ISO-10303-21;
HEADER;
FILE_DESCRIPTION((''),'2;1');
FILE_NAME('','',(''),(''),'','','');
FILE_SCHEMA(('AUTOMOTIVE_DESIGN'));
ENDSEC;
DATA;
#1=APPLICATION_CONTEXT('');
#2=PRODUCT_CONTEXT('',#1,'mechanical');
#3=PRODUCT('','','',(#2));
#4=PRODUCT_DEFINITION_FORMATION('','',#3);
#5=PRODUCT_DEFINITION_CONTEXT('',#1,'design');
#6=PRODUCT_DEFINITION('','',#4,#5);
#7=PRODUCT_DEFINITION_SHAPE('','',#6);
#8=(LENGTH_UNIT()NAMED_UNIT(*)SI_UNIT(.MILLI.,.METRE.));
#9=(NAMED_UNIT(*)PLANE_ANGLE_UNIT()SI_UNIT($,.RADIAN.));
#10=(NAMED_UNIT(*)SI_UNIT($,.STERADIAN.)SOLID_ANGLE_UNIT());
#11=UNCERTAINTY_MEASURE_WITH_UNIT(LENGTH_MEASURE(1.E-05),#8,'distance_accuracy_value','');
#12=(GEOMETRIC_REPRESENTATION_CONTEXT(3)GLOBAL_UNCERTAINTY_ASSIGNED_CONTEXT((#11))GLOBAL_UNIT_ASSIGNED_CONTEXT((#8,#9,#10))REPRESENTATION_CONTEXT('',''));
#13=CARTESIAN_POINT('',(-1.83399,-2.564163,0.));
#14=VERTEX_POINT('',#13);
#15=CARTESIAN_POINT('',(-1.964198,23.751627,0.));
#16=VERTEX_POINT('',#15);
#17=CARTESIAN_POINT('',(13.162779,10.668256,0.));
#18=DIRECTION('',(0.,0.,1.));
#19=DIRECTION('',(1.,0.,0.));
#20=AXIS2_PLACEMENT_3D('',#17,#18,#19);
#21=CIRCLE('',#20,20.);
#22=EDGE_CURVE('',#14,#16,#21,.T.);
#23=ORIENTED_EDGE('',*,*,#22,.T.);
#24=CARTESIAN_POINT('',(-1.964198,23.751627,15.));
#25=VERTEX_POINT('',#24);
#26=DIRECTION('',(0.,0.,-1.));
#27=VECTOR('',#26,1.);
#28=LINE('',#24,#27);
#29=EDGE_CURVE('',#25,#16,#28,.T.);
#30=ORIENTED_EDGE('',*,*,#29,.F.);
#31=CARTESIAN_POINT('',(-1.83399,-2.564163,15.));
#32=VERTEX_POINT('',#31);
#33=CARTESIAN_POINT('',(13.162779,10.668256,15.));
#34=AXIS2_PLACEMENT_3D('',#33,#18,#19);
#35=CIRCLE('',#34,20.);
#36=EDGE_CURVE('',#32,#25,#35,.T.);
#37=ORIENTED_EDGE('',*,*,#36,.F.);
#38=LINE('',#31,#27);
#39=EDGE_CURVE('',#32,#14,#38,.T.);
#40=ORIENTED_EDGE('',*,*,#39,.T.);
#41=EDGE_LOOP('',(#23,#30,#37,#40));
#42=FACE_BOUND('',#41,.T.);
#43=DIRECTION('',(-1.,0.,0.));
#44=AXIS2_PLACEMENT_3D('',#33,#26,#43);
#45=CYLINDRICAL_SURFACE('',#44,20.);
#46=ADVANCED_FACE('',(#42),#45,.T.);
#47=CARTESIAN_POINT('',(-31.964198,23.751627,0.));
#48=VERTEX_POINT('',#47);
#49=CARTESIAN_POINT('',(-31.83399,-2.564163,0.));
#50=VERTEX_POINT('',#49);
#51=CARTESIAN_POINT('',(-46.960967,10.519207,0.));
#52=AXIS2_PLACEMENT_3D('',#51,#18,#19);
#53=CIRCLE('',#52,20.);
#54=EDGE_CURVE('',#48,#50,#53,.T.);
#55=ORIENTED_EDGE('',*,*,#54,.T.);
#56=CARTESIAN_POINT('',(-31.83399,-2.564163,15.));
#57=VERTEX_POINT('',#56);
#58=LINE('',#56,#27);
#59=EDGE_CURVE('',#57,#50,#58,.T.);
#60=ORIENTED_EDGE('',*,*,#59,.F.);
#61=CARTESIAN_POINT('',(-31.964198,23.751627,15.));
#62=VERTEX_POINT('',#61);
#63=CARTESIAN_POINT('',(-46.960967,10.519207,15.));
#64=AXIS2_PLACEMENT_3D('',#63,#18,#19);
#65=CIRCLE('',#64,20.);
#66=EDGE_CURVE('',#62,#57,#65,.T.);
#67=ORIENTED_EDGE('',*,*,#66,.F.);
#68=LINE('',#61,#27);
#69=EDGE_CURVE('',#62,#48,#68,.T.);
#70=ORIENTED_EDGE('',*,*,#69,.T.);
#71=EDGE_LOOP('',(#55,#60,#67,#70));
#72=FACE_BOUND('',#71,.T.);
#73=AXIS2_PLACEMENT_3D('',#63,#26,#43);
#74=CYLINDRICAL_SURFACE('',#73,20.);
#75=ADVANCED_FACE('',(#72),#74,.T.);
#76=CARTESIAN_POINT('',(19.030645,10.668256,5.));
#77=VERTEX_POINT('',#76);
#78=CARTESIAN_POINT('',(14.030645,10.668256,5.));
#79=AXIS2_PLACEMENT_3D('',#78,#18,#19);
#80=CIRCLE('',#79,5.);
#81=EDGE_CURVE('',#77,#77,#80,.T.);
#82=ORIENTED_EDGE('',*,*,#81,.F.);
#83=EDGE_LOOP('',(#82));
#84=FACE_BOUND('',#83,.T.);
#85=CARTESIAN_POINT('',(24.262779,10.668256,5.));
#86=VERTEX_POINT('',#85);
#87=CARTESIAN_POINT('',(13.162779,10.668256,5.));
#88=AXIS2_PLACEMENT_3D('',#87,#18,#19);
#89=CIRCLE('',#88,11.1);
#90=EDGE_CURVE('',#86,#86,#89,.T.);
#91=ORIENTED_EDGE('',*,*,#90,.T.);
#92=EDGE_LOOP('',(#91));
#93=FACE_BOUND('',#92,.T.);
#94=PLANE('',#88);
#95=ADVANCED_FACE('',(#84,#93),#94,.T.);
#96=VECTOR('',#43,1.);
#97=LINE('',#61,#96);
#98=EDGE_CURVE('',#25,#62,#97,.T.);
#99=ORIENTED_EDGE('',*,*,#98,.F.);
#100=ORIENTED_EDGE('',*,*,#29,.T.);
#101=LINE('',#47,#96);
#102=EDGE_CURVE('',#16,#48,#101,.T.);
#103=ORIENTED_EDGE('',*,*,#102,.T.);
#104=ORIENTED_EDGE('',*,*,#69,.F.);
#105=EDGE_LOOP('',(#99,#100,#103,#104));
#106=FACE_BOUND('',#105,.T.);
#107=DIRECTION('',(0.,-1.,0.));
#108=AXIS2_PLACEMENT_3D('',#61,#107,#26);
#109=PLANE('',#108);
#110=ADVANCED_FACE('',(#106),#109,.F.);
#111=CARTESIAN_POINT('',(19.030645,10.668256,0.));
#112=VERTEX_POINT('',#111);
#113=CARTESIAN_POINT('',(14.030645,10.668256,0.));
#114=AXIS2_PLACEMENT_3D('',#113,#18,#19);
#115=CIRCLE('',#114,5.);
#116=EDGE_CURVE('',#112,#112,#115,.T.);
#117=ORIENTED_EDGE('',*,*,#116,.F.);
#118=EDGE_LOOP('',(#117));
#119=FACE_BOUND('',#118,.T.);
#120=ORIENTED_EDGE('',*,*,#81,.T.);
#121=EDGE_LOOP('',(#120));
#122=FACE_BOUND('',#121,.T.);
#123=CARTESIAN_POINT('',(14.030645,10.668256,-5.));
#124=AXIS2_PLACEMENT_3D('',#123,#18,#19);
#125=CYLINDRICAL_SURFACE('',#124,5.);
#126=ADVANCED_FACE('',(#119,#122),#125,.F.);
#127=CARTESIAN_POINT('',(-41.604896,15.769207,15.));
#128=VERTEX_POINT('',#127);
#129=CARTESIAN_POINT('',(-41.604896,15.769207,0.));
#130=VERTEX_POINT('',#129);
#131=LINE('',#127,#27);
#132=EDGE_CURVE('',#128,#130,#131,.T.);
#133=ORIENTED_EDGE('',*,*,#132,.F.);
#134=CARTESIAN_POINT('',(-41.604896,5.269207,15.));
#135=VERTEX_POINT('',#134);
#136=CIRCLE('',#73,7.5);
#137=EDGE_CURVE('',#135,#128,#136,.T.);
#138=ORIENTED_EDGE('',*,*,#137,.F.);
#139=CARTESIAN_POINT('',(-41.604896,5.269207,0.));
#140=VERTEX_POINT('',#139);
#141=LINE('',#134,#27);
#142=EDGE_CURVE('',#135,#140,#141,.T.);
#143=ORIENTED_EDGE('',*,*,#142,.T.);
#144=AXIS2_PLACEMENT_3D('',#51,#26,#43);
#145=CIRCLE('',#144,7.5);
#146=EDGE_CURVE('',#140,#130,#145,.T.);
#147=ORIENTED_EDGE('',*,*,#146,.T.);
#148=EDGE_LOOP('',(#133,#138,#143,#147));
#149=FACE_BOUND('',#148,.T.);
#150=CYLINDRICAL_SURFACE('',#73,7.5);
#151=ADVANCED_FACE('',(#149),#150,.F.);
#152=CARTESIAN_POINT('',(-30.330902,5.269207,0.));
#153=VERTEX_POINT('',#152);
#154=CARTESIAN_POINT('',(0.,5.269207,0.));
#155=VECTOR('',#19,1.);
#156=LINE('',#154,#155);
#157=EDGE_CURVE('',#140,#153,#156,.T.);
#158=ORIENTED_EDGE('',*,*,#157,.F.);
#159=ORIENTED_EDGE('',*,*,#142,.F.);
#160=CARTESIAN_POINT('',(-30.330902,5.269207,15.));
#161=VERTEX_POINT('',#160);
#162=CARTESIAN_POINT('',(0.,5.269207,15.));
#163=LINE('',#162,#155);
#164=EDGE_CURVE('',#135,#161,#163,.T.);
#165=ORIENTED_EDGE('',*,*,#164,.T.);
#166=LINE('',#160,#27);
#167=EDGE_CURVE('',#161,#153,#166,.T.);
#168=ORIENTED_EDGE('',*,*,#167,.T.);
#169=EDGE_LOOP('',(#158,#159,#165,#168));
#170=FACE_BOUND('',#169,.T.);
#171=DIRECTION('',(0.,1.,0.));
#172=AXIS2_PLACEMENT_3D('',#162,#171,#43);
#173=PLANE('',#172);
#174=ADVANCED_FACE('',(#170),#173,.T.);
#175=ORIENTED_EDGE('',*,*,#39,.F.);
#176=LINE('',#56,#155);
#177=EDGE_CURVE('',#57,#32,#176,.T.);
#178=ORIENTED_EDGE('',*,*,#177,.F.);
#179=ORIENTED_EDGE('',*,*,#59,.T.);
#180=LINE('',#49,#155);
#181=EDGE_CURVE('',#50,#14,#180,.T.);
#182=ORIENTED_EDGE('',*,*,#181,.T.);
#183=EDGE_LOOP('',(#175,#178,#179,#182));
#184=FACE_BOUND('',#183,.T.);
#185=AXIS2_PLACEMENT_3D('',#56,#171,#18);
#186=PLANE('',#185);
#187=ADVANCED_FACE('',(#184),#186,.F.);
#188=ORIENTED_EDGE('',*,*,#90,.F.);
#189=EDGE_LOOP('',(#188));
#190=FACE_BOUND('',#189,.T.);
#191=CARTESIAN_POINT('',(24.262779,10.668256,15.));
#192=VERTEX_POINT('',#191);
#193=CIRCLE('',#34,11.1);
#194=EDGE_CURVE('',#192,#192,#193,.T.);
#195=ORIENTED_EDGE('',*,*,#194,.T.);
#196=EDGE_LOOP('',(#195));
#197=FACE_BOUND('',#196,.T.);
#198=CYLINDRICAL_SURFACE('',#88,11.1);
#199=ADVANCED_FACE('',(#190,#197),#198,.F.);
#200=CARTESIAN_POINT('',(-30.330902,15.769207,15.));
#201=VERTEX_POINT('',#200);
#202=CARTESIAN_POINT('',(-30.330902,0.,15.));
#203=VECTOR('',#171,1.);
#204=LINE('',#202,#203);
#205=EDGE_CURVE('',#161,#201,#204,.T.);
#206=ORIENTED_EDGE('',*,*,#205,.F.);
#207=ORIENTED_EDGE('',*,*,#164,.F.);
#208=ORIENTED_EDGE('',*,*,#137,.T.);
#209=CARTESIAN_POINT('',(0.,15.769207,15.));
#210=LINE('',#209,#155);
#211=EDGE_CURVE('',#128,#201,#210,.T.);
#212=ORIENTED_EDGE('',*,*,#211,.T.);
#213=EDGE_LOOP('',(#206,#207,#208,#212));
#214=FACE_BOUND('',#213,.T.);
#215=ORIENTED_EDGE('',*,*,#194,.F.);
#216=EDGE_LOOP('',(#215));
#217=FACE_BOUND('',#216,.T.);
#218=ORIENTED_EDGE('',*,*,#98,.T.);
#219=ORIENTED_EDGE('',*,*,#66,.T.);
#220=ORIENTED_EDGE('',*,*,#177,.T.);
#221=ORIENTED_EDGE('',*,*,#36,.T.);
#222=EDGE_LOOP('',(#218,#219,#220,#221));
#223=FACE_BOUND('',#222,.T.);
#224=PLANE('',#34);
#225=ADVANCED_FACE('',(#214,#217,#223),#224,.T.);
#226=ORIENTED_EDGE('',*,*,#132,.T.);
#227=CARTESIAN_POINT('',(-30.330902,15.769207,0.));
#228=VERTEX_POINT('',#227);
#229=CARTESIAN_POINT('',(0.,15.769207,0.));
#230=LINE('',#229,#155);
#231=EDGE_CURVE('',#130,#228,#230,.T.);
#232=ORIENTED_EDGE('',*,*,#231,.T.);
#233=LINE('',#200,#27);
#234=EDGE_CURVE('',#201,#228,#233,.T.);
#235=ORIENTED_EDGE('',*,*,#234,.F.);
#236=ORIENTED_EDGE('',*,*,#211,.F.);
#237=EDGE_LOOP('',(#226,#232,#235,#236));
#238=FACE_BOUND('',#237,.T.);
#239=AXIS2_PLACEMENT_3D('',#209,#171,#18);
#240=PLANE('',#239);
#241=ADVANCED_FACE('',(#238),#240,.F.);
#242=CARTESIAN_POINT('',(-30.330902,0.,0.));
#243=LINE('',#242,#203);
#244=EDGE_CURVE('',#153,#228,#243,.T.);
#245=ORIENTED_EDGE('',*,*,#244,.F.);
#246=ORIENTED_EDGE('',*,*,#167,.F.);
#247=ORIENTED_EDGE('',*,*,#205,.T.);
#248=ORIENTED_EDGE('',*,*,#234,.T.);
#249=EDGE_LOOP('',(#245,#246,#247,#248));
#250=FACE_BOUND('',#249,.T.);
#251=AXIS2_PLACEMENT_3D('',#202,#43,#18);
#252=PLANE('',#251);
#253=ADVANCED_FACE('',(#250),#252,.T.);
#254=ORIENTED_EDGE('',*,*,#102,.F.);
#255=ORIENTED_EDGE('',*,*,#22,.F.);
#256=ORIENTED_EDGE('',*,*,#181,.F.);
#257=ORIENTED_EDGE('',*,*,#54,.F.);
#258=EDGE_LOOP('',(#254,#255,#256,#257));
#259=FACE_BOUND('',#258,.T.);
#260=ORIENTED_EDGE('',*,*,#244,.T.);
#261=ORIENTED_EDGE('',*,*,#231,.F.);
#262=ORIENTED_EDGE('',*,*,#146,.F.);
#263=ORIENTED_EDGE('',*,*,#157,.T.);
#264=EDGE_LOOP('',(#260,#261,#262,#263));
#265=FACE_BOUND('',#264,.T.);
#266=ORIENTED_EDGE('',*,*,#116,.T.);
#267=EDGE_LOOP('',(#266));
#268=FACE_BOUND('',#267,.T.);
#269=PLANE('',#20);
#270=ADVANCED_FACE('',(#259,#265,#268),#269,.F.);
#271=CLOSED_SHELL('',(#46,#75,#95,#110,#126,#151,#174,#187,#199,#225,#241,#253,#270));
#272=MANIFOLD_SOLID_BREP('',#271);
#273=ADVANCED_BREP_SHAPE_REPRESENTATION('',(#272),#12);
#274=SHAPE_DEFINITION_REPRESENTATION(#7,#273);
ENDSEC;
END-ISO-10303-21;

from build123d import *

# Parameters (mm, degrees)
BOSS_EXTRUDE3_DEPTH = 15
SKETCH5_R           = 11.1
CUT_EXTRUDE2_DEPTH  = 10
SKETCH8_R           = 5
CUT_EXTRUDE5_DEPTH  = 10
SKETCH10_R          = 7.5
SKETCH10_W          = 12
SKETCH10_H          = 10.5
CUT_EXTRUDE6_DEPTH  = 16


with BuildPart() as part:
    # Sketch4 → Boss-Extrude3 (new body)
    with BuildSketch(Plane.XY):
        with BuildLine():
            Line((-31.83399024, -2.564162853), (-1.83399024, -2.564162853))
            ThreePointArc((-1.83399024, -2.564162853), (33.162534063, 10.767212745), (-1.964197709, 23.75162662))
            Line((-1.964197709, 23.75162662), (-31.964197709, 23.75162662))
            ThreePointArc((-31.964197709, 23.75162662), (-66.960722012, 10.420251021), (-31.83399024, -2.564162853))
        make_face()
    extrude(amount=BOSS_EXTRUDE3_DEPTH)

    # Sketch5 → Cut-Extrude2 (cut)
    with BuildSketch(Plane.XY.offset(15)):
        with Locations((13.162778875, 10.66825628)):
            Circle(SKETCH5_R)
    extrude(amount=-CUT_EXTRUDE2_DEPTH, mode=Mode.SUBTRACT)

    # Sketch8 → Cut-Extrude5 (cut)
    with BuildSketch(Plane.XY.offset(5)):
        with Locations((14.03064546, 10.66825628)):
            Circle(SKETCH8_R)
    extrude(amount=-CUT_EXTRUDE5_DEPTH, mode=Mode.SUBTRACT)

    # Sketch10 → Cut-Extrude6 (cut, through all)
    with BuildSketch(Plane(origin=(0, 0, 0), x_dir=(-1, 0, 0), z_dir=(0, 0, -1))):
        with Locations((46.960966823, 10.519207486)):
            Circle(SKETCH10_R)
        with Locations((36.330902029, 10.519207486)):
            Rectangle(SKETCH10_W, SKETCH10_H)
    extrude(amount=-CUT_EXTRUDE6_DEPTH, mode=Mode.SUBTRACT)


solid = part.part
